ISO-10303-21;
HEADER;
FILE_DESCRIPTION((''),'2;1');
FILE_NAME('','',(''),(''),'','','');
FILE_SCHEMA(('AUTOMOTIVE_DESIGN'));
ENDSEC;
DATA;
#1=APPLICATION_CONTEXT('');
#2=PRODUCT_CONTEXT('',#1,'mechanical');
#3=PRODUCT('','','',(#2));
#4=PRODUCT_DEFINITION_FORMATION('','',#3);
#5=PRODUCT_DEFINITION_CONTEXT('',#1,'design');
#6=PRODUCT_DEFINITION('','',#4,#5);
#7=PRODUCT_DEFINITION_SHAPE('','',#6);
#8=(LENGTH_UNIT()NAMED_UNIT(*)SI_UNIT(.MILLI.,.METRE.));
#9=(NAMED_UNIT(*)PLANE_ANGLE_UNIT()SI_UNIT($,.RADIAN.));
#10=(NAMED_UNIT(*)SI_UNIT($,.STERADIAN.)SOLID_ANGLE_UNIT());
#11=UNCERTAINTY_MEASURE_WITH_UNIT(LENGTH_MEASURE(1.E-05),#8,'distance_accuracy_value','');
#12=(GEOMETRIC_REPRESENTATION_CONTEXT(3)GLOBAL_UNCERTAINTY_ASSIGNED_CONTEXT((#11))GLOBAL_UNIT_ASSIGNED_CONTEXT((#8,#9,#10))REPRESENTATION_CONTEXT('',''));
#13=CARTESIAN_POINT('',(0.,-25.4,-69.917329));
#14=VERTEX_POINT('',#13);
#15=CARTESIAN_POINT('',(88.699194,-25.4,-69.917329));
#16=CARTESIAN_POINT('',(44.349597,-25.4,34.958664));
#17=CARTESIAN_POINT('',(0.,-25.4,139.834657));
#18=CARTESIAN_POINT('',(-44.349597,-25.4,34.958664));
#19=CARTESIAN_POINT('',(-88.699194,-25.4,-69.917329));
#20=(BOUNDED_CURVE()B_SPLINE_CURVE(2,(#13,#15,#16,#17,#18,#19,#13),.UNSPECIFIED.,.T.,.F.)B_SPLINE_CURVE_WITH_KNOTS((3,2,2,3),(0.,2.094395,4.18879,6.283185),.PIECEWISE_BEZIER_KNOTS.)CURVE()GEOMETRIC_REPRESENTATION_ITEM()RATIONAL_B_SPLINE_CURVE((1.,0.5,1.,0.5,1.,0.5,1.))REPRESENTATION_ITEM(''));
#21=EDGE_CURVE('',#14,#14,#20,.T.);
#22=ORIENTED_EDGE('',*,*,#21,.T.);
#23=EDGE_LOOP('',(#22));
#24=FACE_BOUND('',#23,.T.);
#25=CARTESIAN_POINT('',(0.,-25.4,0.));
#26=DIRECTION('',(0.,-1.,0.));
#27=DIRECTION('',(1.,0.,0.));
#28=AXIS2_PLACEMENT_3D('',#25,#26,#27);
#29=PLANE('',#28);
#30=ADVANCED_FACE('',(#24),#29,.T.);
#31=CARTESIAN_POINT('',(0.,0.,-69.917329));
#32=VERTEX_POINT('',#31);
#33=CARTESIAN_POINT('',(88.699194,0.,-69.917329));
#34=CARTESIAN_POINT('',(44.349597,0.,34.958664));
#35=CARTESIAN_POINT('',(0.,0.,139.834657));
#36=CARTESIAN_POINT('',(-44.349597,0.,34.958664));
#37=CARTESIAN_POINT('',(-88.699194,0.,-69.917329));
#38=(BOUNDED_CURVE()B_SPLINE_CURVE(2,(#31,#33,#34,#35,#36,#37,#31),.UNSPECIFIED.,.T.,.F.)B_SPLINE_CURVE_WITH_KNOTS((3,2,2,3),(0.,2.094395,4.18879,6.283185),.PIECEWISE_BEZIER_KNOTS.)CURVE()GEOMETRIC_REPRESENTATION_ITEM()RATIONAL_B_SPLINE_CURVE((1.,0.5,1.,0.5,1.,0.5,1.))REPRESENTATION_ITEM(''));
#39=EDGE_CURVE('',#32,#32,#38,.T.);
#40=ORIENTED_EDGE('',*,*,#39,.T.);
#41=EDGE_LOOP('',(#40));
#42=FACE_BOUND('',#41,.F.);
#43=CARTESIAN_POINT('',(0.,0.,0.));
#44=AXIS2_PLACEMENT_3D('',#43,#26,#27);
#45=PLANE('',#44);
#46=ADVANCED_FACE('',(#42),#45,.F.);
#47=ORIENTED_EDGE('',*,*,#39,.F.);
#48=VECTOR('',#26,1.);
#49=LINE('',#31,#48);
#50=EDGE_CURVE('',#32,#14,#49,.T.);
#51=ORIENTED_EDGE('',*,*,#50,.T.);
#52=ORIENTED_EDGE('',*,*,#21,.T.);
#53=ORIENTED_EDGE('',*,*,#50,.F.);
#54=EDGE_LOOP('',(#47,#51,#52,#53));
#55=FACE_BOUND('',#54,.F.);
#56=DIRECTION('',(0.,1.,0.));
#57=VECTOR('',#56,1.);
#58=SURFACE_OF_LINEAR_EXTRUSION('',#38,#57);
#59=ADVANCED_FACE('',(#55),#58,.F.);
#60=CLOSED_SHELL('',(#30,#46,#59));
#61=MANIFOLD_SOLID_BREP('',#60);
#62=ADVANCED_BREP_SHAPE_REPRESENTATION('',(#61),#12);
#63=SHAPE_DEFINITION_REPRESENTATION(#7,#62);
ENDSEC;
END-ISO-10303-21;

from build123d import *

# Parameters (mm, degrees)
F1_DEPTH = 25.4


with BuildPart() as f1:
    # F0 (on Front) → F1 (new body)
    with BuildSketch(Plane.XZ):
        with BuildLine():
            add(Edge.make_bspline(
                [(0, -69.917329), (88.699194, -69.917329), (44.349597, 34.958664), (0, 139.834657), (-44.349597, 34.958664), (-88.699194, -69.917329), (0, -69.917329)],
                knots=[0, 0, 0, 2.094395, 2.094395, 4.18879, 4.18879, 6.283185, 6.283185, 6.283185], degree=2, weights=[1, 0.5, 1, 0.5, 1, 0.5, 1]))
        make_face()
        with BuildLine():
            add(Edge.make_bspline(
                [(0, -68.162084), (85.511492, -68.162084), (42.755746, 34.081042), (0, 136.324167), (-42.755746, 34.081042), (-85.511492, -68.162084), (0, -68.162084)],
                knots=[0, 0, 0, 2.094395, 2.094395, 4.18879, 4.18879, 6.283185, 6.283185, 6.283185], degree=2, weights=[1, 0.5, 1, 0.5, 1, 0.5, 1]))
        make_face(mode=Mode.SUBTRACT)
        with BuildLine():
            add(Edge.make_bspline(
                [(0, -68.162084), (85.511492, -68.162084), (42.755746, 34.081042), (0, 136.324167), (-42.755746, 34.081042), (-85.511492, -68.162084), (0, -68.162084)],
                knots=[0, 0, 0, 2.094395, 2.094395, 4.18879, 4.18879, 6.283185, 6.283185, 6.283185], degree=2, weights=[1, 0.5, 1, 0.5, 1, 0.5, 1]))
        make_face()
    extrude(amount=F1_DEPTH)


solid = f1.part
